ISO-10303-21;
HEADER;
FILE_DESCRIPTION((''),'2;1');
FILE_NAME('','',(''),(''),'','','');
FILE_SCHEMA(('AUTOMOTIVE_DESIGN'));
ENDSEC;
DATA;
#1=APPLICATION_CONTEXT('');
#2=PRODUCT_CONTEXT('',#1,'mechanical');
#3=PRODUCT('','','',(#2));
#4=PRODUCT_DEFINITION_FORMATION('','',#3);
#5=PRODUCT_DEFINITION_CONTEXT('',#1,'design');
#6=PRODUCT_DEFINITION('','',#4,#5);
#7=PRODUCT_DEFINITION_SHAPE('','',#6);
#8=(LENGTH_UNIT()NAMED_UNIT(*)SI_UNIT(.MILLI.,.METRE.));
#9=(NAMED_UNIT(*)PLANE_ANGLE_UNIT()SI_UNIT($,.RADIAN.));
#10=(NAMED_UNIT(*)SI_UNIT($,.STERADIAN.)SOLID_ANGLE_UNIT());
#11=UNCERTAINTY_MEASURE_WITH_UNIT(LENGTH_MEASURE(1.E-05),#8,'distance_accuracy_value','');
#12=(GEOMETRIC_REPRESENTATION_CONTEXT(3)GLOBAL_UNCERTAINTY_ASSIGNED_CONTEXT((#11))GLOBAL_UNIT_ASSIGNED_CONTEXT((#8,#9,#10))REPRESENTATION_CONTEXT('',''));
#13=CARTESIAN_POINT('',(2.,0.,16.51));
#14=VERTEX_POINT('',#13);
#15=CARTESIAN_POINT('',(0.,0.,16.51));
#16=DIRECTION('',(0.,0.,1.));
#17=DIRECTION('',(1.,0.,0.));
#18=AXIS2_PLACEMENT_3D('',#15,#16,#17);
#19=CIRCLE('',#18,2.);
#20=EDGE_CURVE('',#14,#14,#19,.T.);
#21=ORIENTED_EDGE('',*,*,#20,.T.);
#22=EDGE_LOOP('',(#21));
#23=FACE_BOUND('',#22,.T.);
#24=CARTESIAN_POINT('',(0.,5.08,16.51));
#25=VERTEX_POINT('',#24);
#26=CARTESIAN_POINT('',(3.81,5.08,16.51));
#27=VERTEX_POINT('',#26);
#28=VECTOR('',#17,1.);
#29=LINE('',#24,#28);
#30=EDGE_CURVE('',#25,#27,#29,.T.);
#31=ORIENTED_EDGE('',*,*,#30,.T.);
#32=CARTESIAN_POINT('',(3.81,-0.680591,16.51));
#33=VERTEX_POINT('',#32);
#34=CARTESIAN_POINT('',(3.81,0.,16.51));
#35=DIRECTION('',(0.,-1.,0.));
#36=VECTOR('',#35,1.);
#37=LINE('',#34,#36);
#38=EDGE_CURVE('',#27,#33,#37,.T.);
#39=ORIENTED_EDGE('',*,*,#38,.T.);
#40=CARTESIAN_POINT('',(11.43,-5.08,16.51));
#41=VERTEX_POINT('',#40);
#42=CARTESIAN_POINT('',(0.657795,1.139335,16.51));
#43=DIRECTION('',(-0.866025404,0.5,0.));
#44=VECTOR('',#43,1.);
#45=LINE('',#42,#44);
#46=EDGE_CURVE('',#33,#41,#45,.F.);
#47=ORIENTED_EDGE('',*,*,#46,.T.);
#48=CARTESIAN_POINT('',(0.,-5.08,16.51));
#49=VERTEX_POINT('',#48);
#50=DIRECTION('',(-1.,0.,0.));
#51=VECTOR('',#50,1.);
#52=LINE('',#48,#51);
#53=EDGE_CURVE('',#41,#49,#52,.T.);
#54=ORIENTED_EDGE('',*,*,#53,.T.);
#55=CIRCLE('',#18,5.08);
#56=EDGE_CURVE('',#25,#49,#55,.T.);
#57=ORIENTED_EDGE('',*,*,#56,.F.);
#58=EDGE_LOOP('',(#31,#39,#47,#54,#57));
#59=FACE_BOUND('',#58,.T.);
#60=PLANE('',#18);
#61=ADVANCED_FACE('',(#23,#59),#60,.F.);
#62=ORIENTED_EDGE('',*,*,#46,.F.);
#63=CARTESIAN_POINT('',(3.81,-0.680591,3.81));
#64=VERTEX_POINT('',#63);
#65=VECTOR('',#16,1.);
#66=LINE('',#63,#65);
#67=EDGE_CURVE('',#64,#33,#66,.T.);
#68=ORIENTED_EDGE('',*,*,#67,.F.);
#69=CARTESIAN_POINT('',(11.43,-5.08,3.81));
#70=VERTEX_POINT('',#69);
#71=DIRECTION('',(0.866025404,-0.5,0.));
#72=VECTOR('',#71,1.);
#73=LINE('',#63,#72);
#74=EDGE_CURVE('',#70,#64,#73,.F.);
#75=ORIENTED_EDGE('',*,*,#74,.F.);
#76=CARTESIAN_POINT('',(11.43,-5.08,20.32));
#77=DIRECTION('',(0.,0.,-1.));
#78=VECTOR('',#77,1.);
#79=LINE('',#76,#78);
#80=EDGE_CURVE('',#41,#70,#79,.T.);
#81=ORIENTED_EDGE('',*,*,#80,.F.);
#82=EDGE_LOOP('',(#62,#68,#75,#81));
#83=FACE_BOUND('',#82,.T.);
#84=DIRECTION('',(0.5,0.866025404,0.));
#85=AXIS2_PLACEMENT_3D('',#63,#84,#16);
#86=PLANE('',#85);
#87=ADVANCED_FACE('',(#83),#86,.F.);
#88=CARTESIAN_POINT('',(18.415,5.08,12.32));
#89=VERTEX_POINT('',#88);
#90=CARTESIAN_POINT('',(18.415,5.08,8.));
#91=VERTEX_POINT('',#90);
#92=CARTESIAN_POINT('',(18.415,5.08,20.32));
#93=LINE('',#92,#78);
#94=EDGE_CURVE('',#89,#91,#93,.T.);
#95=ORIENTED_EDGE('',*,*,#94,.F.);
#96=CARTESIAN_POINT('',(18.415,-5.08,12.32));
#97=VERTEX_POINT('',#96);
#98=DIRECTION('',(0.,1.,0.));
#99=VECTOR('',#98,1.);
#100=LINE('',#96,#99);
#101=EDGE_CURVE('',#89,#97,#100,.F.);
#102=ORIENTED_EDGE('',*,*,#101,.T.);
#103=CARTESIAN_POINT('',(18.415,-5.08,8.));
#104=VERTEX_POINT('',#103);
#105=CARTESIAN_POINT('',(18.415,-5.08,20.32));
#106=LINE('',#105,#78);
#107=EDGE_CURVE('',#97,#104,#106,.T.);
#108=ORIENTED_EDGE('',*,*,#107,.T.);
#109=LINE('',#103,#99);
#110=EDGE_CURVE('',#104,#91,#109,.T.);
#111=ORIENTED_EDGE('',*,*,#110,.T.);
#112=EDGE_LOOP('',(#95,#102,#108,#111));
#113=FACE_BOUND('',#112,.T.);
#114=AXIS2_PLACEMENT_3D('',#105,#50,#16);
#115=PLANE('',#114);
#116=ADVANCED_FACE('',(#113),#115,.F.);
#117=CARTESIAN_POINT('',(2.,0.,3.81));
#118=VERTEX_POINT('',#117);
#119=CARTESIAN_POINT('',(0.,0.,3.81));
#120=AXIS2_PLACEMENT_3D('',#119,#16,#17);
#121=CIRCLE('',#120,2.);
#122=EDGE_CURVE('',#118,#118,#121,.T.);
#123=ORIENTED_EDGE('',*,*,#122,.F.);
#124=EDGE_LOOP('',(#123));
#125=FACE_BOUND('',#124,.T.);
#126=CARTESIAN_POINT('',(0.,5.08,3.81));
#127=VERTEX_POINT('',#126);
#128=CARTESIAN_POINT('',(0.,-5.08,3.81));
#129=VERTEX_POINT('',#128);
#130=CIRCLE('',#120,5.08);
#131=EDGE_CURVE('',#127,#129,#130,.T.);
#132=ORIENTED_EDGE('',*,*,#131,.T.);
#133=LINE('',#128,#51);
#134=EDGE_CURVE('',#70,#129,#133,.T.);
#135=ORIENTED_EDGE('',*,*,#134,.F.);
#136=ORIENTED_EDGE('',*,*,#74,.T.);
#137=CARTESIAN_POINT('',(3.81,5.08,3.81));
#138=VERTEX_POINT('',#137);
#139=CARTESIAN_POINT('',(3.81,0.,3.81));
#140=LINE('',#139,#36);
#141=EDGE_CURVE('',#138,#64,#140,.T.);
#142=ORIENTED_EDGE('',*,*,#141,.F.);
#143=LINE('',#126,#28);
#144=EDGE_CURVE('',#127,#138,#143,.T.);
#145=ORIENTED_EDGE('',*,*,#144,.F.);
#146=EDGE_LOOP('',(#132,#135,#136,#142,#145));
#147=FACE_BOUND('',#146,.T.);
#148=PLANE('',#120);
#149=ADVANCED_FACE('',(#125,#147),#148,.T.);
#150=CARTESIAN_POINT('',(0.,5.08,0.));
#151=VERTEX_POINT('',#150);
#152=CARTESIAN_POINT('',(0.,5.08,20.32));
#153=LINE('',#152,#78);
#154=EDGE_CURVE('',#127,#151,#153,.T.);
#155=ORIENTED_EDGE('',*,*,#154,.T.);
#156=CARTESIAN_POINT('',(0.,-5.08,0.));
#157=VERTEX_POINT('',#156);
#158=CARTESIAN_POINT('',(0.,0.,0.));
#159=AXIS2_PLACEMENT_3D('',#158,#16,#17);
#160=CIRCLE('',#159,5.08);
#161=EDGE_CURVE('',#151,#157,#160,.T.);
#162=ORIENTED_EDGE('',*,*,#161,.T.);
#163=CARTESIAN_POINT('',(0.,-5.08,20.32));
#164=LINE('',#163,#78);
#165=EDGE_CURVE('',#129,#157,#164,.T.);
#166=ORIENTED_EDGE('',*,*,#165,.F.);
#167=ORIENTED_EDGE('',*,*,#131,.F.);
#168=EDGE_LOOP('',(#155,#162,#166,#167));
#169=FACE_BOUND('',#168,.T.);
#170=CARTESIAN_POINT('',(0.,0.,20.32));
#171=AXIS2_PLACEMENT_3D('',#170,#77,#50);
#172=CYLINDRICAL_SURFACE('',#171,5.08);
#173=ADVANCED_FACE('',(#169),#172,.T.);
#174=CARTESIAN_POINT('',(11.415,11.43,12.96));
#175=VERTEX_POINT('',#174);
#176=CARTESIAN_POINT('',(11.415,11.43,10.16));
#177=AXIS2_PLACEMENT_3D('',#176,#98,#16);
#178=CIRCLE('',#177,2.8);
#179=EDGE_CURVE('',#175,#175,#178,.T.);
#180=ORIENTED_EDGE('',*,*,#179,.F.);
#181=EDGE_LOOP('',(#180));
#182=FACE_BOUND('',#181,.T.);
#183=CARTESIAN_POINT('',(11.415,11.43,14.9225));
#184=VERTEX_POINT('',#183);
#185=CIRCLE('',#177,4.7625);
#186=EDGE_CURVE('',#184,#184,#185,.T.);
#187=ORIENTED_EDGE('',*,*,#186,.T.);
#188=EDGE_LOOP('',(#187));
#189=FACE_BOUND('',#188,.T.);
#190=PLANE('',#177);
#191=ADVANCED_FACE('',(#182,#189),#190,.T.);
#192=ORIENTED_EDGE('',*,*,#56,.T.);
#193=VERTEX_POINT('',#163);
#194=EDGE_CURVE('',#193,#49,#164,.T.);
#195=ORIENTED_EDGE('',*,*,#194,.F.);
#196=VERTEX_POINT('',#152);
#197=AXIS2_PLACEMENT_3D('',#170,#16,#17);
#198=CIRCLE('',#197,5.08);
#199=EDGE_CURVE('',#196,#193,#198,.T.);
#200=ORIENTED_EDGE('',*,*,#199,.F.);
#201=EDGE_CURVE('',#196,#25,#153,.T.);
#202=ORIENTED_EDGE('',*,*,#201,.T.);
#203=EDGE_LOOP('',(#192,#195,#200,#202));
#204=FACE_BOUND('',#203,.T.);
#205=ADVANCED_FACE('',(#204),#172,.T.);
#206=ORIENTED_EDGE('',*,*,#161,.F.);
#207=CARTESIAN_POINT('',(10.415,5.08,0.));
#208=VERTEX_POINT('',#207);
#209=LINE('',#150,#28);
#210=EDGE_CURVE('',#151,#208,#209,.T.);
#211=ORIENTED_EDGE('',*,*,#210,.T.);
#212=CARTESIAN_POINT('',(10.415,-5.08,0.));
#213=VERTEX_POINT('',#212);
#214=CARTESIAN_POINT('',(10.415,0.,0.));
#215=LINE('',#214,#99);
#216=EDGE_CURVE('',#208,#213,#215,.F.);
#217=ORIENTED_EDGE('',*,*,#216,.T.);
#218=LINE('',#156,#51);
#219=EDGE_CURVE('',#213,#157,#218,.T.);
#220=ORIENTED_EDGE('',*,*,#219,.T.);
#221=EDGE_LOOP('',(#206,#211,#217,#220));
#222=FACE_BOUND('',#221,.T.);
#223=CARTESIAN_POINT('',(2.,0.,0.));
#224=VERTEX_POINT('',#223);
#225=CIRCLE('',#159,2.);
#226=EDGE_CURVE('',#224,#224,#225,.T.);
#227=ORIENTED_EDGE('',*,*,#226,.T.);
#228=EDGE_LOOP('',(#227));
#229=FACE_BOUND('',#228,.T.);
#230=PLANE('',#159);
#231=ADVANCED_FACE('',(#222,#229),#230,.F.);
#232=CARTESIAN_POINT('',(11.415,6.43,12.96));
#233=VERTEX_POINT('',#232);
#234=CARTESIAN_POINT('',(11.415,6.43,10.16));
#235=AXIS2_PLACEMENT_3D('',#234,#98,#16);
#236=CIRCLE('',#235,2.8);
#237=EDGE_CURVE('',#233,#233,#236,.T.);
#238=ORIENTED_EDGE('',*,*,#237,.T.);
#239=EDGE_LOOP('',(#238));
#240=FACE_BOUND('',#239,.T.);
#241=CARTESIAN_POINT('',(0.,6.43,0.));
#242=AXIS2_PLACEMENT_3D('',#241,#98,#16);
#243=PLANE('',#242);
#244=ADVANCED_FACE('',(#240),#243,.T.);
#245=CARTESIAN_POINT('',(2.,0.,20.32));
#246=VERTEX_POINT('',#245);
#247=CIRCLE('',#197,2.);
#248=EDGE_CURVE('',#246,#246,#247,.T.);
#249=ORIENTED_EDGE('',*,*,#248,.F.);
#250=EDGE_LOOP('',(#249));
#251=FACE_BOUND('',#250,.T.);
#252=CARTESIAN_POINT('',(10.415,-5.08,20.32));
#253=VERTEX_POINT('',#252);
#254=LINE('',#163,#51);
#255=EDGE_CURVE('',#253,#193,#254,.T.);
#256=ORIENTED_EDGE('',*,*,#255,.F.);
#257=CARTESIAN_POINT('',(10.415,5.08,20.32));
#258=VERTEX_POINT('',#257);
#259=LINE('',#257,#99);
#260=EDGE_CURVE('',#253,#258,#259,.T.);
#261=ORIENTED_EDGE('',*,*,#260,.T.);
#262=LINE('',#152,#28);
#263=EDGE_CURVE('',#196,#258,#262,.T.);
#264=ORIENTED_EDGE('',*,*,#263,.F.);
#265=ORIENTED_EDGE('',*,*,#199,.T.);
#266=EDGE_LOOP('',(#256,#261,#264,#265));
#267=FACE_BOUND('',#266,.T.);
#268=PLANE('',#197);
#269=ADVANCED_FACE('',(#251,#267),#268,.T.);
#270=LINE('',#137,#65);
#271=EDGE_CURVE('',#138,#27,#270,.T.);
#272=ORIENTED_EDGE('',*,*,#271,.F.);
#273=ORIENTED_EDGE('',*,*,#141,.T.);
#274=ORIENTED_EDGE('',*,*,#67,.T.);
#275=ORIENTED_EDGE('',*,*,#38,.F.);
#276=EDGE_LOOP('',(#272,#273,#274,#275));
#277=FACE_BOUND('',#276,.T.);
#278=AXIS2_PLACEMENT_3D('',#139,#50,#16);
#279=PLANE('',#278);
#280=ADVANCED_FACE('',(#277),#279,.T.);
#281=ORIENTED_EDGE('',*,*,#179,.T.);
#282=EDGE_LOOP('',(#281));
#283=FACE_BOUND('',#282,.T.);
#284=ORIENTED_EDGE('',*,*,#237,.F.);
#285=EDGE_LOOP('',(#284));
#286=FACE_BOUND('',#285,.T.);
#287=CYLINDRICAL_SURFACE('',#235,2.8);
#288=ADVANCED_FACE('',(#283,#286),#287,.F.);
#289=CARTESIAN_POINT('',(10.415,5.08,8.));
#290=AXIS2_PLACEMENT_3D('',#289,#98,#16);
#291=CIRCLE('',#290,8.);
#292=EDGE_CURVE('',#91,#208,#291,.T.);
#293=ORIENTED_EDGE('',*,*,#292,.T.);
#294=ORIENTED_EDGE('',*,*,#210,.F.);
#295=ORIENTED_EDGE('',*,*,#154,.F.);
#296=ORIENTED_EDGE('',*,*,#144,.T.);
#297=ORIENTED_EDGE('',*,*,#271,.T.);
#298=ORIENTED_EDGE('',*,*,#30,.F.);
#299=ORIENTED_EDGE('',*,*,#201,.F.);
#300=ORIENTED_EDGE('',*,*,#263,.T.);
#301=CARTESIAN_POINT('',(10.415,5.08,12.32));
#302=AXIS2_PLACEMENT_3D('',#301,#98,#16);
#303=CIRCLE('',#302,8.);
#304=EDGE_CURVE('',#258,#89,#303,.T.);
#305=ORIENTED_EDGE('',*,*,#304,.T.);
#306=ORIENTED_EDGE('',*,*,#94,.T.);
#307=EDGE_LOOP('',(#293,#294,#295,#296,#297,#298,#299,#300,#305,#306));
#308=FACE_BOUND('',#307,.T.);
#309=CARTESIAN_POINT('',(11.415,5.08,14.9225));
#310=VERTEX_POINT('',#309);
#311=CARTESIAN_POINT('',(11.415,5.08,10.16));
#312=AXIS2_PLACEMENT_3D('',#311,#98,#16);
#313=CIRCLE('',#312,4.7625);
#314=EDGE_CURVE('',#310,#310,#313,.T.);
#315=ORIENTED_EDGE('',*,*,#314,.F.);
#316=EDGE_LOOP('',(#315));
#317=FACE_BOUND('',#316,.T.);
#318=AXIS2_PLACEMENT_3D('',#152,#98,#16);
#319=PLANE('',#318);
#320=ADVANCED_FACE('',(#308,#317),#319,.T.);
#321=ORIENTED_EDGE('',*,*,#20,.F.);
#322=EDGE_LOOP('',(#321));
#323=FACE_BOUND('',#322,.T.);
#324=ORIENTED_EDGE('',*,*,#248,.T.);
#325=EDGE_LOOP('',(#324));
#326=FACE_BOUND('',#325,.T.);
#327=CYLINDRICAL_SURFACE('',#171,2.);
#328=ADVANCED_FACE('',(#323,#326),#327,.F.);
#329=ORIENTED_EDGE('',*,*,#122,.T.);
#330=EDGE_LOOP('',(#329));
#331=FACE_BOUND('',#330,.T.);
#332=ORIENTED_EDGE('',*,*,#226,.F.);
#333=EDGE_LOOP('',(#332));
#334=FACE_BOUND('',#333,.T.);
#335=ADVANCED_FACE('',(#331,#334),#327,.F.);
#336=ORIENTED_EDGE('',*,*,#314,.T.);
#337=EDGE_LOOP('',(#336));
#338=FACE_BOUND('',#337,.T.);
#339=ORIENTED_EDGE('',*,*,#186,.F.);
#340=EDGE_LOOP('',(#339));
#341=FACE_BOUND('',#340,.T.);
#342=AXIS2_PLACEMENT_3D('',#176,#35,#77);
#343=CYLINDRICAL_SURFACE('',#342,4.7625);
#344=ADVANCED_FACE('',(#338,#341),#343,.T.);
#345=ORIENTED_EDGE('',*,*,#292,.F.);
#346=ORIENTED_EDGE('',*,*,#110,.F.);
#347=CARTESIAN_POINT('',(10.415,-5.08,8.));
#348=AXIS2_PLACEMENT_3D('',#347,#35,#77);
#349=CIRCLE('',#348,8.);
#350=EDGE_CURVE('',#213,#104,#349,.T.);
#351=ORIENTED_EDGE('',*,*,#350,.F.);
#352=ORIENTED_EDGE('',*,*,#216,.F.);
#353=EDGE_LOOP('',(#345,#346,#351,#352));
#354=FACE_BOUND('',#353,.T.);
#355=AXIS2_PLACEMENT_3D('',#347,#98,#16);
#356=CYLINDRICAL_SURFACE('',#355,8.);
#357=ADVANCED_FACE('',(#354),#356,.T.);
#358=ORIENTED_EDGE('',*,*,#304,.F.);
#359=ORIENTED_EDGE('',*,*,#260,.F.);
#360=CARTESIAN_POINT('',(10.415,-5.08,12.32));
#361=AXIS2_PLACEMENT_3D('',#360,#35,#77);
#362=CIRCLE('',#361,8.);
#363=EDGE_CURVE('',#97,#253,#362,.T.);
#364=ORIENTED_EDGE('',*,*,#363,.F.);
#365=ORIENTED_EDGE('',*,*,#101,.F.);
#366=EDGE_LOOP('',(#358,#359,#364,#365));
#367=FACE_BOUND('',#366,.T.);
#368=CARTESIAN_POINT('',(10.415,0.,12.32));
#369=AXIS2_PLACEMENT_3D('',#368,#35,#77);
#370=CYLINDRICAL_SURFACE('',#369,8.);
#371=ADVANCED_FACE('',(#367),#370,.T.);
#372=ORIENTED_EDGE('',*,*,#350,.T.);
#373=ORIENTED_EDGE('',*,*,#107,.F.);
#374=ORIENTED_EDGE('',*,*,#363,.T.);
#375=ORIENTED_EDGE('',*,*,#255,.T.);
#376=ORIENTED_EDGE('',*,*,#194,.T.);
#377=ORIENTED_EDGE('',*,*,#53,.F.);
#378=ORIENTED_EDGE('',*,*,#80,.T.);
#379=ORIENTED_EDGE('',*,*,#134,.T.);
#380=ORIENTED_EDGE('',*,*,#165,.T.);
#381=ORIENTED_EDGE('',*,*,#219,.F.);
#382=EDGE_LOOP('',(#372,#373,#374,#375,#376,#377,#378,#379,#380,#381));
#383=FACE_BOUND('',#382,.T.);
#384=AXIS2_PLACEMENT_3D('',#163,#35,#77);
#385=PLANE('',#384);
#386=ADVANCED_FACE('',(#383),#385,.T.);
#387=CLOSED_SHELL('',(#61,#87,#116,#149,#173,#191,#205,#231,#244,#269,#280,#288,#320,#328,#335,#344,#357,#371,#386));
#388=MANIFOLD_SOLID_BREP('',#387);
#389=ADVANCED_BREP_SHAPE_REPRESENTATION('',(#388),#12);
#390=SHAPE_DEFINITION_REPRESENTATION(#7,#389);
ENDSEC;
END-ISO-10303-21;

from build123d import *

# Parameters (mm, degrees)
SKETCH2_R           = 2
BOSS_EXTRUDE1_DEPTH = 20.32
SKETCH3_R           = 2
CUT_EXTRUDE1_DEPTH  = 6.35
SKETCH6_R           = 4.7625
BOSS_EXTRUDE2_DEPTH = 6.35
SKETCH7_R           = 2.8
CUT_EXTRUDE3_DEPTH  = 5
CHAMFER3_SIZE       = 7.62
CHAMFER3_SIZE2      = 4.399409051
FILLET1_R           = 8


with BuildPart() as part:
    # Sketch2 → Boss-Extrude1 (new body)
    with BuildSketch(Plane.XY):
        with BuildLine():
            ThreePointArc((0, 5.08), (-5.08, 0), (0, -5.08))
            Line((0, -5.08), (18.415, -5.08))
            Line((18.415, -5.08), (18.415, 5.08))
            Line((18.415, 5.08), (0, 5.08))
        make_face()
        Circle(SKETCH2_R, mode=Mode.SUBTRACT)
    extrude(amount=BOSS_EXTRUDE1_DEPTH)

    # Sketch3 → Cut-Extrude1 (cut, symmetric)
    with BuildSketch(Plane.XY.offset(10.16)):
        with BuildLine():
            ThreePointArc((0, 5.08), (-5.08, 0), (0, -5.08))
            ThreePointArc((0, -5.08), (2.090104165, -4.630104165), (3.81, -3.360104165))
            Line((3.81, -3.360104165), (3.81, 3.360104165))
            ThreePointArc((3.81, 3.360104165), (2.090104165, 4.630104165), (0, 5.08))
        make_face()
        Circle(SKETCH3_R, mode=Mode.SUBTRACT)
        with BuildLine():
            Line((3.81, 5.08), (0, 5.08))
            ThreePointArc((0, 5.08), (2.090104165, 4.630104165), (3.81, 3.360104165))
            Line((3.81, 3.360104165), (3.81, 5.08))
        make_face()
        with BuildLine():
            Line((0, -5.08), (3.81, -5.08))
            Line((3.81, -5.08), (3.81, -3.360104165))
            ThreePointArc((3.81, -3.360104165), (2.090104165, -4.630104165), (0, -5.08))
        make_face()
    extrude(amount=CUT_EXTRUDE1_DEPTH, both=True, mode=Mode.SUBTRACT)

    # Sketch6 → Boss-Extrude2 (add)
    with BuildSketch(Plane(origin=(0, 5.08, 0), x_dir=(1, 0, 0), z_dir=(0, 1, 0))):
        with Locations((11.415, -10.16)):
            Circle(SKETCH6_R)
    extrude(amount=BOSS_EXTRUDE2_DEPTH)

    # Sketch7 → Cut-Extrude3 (cut)
    with BuildSketch(Plane(origin=(0, 11.43, 0), x_dir=(1, 0, 0), z_dir=(0, 1, 0))):
        with Locations((11.415, -10.16)):
            Circle(SKETCH7_R)
    extrude(amount=-CUT_EXTRUDE3_DEPTH, mode=Mode.SUBTRACT)

    # Chamfer3
    chamfer3_edges = [part.edges().sort_by_distance(p)[0] for p in [
        (3.81, -5.08, 10.16),
    ]]
    chamfer3_side = [part.faces().sort_by_distance(p)[0] for p in [
        (10.292029703, -5.08, 10.16),
    ]]
    chamfer(chamfer3_edges, length=CHAMFER3_SIZE, length2=CHAMFER3_SIZE2, reference=chamfer3_side[0])

    # Fillet1
    fillet1_edges = [part.edges().sort_by_distance(p)[0] for p in [
        (18.415, 0, 20.32),
        (18.415, 0, 0),
    ]]
    fillet(fillet1_edges, radius=FILLET1_R)


solid = part.part
